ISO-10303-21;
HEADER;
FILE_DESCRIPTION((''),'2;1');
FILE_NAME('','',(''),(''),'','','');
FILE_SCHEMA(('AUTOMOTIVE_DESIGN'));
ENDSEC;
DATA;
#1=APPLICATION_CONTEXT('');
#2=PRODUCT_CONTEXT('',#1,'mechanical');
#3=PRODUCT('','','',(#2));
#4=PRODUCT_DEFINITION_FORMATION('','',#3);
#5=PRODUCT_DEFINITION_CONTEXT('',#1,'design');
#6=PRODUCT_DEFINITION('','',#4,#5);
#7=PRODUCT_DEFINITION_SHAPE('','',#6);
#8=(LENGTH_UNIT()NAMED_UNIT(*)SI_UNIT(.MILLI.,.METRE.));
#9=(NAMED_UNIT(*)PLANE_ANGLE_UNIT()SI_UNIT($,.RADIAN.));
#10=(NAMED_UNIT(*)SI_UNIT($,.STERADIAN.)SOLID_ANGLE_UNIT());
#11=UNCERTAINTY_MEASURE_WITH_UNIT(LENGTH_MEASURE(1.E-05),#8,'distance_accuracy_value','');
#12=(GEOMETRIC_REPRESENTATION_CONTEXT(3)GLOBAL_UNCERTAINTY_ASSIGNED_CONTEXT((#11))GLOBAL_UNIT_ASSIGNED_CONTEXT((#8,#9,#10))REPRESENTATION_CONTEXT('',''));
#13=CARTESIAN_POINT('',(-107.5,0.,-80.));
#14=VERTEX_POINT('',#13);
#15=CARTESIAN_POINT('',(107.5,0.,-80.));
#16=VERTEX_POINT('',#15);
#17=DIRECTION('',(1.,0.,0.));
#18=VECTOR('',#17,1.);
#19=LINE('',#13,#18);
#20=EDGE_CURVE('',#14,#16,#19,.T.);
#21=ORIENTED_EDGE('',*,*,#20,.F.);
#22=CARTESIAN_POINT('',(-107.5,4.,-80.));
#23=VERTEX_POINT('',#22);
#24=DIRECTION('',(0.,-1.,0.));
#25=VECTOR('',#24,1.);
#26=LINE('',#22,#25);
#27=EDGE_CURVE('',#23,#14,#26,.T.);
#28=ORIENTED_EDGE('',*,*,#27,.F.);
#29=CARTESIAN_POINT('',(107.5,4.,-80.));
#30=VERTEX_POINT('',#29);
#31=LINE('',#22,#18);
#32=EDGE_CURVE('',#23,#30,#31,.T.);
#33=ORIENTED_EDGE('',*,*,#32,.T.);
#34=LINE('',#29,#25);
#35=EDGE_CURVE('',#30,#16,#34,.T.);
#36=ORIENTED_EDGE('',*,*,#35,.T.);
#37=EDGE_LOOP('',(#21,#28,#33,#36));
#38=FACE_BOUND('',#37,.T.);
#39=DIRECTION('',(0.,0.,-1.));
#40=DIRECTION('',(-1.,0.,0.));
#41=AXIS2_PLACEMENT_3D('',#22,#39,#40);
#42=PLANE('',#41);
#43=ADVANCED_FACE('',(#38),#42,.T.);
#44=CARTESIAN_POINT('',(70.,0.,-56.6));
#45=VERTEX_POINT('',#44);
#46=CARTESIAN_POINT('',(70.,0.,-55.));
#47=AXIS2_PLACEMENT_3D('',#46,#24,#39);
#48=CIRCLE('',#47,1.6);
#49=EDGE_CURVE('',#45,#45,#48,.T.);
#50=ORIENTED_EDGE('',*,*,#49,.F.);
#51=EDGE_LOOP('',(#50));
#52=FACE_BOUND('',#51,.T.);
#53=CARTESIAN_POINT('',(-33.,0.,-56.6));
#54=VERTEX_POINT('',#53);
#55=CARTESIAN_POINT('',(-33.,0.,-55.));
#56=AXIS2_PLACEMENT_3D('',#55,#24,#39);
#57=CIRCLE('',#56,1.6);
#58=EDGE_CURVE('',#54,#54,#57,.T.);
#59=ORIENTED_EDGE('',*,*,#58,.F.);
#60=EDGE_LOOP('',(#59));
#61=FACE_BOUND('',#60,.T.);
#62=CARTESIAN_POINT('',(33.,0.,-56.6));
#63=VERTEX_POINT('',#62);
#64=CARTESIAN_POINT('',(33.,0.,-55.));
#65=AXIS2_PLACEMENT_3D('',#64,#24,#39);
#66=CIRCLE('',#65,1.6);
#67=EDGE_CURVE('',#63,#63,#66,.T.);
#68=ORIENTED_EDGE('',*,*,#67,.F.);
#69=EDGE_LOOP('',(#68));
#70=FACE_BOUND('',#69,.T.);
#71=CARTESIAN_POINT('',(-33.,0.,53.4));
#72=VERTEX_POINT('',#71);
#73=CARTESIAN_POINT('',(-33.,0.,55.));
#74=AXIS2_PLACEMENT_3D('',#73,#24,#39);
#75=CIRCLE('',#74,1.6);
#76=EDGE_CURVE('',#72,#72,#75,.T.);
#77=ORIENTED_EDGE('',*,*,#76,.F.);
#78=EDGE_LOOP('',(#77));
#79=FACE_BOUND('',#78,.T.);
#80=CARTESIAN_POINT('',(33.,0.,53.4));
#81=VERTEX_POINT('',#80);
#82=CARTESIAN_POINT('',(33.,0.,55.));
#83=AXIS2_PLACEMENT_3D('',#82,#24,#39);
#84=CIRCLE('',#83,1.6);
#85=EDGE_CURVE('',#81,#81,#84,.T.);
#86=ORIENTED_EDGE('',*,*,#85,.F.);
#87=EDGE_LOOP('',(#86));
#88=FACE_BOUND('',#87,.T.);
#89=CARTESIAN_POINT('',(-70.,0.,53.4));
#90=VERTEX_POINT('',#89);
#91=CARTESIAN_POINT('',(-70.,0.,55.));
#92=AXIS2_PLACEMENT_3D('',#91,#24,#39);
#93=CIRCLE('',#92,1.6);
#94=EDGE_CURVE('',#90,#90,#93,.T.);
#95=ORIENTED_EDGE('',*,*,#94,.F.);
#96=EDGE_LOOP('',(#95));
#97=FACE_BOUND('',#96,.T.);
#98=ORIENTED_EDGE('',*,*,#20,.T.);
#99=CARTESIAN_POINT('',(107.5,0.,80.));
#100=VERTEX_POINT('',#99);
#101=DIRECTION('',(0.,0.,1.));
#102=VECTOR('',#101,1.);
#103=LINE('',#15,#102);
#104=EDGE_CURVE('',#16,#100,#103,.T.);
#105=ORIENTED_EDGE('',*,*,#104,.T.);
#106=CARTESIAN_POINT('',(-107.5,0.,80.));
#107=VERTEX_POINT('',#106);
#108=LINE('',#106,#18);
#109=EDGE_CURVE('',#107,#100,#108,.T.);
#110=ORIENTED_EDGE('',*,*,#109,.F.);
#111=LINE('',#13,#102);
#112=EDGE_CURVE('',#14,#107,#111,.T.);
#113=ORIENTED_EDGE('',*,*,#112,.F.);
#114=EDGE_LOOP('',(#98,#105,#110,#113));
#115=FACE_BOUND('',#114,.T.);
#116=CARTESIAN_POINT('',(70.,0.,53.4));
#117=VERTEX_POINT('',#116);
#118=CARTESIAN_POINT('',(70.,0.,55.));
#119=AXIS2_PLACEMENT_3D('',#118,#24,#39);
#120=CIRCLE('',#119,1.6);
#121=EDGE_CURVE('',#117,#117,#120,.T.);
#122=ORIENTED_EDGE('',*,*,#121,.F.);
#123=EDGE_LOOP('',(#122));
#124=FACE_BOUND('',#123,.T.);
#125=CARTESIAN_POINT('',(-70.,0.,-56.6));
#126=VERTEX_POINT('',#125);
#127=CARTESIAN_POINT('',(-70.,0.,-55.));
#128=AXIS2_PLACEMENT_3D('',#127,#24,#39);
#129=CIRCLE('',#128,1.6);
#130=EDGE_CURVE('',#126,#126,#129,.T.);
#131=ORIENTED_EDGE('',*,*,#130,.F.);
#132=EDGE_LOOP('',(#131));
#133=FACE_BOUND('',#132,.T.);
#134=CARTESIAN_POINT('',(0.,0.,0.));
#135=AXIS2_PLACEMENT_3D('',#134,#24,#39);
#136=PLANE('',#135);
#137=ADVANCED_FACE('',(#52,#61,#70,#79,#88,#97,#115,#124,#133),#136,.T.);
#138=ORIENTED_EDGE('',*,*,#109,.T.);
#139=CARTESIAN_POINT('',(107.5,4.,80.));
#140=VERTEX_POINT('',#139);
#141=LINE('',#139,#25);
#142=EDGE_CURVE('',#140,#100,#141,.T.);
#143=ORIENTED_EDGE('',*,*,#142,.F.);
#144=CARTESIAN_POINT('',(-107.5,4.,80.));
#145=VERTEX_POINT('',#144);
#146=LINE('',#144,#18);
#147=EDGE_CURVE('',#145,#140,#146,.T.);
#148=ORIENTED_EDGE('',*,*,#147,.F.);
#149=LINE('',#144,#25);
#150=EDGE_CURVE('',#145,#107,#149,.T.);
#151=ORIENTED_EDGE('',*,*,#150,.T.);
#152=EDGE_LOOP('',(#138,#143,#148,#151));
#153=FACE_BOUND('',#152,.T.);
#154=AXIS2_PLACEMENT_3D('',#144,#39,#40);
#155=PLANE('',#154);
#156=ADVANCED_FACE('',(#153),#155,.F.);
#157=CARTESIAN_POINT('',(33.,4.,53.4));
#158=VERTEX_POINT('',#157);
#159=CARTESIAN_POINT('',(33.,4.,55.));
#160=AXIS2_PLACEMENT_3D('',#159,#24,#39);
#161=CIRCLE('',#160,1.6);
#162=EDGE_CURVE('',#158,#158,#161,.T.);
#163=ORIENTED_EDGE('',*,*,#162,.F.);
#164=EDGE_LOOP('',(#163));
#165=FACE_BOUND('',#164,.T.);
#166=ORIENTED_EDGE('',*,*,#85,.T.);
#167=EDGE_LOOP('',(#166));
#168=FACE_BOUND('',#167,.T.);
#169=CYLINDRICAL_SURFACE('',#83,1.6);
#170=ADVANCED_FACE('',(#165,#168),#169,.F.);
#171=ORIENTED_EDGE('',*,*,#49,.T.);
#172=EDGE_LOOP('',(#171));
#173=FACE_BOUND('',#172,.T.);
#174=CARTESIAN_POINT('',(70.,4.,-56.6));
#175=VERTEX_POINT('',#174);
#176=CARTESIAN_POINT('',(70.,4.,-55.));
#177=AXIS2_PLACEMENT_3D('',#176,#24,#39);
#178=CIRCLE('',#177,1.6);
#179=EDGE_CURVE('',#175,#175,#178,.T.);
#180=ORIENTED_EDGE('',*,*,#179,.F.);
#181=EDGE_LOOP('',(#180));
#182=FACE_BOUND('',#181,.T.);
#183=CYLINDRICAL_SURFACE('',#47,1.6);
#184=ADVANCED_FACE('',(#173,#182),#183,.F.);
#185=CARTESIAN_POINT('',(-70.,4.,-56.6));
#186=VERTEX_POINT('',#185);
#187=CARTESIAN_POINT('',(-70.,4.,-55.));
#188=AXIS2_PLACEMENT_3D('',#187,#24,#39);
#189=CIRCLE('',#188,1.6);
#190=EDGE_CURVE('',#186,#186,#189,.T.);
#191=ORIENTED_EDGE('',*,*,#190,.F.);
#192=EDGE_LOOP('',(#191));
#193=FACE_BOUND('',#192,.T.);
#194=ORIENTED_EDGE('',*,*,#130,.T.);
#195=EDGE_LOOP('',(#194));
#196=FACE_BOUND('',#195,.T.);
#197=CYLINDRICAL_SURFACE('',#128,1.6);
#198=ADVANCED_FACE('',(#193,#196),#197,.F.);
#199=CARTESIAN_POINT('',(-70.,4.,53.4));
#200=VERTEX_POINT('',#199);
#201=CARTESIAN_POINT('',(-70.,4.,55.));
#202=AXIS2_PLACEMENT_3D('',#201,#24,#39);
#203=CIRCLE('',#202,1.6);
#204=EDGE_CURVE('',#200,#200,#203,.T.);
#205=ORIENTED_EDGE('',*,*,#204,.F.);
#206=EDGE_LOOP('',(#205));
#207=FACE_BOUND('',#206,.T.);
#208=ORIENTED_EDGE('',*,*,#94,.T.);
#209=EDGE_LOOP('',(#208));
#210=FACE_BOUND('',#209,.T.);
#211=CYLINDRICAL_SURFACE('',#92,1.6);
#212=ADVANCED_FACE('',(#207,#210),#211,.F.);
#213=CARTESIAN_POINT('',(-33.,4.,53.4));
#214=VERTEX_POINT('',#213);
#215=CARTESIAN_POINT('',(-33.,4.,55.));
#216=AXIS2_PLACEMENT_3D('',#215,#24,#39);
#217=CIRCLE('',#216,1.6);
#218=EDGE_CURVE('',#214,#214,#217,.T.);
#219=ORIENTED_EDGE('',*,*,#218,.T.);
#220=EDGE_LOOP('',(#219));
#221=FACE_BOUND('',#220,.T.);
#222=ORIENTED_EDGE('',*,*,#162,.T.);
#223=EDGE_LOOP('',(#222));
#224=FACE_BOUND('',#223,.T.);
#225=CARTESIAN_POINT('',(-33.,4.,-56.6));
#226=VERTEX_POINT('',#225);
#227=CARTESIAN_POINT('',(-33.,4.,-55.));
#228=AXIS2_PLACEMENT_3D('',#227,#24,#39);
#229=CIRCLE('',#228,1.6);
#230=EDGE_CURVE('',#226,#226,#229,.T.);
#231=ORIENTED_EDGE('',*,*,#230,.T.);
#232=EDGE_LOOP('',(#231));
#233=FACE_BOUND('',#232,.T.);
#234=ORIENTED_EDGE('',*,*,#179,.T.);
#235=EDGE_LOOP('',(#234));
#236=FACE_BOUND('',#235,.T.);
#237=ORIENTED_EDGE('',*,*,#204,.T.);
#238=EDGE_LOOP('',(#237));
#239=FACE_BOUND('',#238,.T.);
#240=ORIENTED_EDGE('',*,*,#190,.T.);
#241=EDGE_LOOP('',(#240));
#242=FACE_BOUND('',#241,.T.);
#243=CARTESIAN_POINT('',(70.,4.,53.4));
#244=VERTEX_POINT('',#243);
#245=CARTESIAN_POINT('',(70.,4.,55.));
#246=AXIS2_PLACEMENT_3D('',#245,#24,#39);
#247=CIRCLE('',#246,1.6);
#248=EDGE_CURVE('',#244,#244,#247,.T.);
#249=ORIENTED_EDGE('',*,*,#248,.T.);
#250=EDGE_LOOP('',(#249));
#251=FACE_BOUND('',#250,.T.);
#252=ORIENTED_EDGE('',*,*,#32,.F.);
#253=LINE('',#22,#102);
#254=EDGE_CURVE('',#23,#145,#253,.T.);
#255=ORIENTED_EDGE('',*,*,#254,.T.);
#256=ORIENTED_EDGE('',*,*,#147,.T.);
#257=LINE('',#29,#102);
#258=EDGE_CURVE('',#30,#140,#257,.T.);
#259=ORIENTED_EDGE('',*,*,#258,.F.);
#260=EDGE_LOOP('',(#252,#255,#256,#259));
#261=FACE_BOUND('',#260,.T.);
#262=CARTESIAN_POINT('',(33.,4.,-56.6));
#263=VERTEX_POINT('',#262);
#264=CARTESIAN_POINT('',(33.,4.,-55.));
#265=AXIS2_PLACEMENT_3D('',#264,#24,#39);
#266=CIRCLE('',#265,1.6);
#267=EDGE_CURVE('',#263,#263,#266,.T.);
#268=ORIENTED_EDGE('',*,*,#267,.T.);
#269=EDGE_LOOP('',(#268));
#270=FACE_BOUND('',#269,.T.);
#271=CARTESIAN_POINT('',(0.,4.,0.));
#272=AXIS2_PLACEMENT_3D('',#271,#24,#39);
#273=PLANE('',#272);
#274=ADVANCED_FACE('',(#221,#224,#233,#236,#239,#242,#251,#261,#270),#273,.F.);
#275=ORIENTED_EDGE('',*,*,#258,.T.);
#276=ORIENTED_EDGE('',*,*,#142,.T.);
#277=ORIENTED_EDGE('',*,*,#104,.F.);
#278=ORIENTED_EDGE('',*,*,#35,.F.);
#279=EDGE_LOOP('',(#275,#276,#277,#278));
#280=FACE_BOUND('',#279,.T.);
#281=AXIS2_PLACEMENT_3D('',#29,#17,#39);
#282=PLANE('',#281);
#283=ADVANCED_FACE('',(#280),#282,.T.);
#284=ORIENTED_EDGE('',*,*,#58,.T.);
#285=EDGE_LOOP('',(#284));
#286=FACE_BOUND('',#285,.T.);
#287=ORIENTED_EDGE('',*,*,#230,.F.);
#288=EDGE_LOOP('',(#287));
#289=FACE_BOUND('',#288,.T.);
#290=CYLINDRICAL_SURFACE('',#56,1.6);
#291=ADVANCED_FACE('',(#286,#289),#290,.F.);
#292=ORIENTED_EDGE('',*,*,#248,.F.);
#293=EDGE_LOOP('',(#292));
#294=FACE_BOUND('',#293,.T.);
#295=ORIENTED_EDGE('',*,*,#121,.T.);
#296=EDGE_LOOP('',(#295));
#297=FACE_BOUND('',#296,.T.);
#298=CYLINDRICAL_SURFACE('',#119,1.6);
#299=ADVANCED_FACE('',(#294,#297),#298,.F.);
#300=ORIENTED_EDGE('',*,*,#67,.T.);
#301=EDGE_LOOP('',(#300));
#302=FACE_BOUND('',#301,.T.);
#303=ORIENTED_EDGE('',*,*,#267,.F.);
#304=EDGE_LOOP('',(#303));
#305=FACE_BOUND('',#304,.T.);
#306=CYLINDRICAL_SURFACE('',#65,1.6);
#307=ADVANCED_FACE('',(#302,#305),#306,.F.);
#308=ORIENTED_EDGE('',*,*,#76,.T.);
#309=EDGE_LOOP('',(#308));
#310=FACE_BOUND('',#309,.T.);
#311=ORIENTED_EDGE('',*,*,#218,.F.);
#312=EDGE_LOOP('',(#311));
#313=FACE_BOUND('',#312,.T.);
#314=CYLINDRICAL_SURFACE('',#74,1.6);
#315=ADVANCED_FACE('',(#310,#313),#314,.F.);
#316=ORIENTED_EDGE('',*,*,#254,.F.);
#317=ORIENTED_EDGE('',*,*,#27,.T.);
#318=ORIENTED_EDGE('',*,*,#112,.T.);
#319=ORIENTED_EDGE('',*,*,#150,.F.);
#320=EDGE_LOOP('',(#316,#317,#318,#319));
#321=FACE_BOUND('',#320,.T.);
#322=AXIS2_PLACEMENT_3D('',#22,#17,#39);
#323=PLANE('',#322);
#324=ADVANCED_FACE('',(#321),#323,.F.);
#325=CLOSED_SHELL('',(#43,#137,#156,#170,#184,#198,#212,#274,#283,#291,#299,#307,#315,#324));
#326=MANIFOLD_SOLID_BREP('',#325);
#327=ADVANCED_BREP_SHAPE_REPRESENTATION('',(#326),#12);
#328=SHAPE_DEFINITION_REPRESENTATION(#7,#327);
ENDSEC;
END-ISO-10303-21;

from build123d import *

# Parameters (mm, degrees)
SKETCH1_W                  = 215
SKETCH1_H                  = 160
BOSS_EXTRUDE1_DEPTH        = 4
F_1_0_3_2_DIAMETER_HOLE1_D = 3.2


with BuildPart() as part:
    # Sketch1 → Boss-Extrude1 (new body)
    with BuildSketch(Plane(origin=(0, 0, 0), x_dir=(1, 0, 0), z_dir=(0, 1, 0))):
        Rectangle(SKETCH1_W, SKETCH1_H)
    extrude(amount=BOSS_EXTRUDE1_DEPTH)

    # Ø1.0 (3.2) Diameter Hole1 (through all)
    with Locations(Plane.XZ):
        with Locations((-70, 55), (33, 55), (-33, 55), (70, 55), (70, -55), (33, -55), (-33, -55), (-70, -55)):
            Hole(F_1_0_3_2_DIAMETER_HOLE1_D / 2)


solid = part.part
